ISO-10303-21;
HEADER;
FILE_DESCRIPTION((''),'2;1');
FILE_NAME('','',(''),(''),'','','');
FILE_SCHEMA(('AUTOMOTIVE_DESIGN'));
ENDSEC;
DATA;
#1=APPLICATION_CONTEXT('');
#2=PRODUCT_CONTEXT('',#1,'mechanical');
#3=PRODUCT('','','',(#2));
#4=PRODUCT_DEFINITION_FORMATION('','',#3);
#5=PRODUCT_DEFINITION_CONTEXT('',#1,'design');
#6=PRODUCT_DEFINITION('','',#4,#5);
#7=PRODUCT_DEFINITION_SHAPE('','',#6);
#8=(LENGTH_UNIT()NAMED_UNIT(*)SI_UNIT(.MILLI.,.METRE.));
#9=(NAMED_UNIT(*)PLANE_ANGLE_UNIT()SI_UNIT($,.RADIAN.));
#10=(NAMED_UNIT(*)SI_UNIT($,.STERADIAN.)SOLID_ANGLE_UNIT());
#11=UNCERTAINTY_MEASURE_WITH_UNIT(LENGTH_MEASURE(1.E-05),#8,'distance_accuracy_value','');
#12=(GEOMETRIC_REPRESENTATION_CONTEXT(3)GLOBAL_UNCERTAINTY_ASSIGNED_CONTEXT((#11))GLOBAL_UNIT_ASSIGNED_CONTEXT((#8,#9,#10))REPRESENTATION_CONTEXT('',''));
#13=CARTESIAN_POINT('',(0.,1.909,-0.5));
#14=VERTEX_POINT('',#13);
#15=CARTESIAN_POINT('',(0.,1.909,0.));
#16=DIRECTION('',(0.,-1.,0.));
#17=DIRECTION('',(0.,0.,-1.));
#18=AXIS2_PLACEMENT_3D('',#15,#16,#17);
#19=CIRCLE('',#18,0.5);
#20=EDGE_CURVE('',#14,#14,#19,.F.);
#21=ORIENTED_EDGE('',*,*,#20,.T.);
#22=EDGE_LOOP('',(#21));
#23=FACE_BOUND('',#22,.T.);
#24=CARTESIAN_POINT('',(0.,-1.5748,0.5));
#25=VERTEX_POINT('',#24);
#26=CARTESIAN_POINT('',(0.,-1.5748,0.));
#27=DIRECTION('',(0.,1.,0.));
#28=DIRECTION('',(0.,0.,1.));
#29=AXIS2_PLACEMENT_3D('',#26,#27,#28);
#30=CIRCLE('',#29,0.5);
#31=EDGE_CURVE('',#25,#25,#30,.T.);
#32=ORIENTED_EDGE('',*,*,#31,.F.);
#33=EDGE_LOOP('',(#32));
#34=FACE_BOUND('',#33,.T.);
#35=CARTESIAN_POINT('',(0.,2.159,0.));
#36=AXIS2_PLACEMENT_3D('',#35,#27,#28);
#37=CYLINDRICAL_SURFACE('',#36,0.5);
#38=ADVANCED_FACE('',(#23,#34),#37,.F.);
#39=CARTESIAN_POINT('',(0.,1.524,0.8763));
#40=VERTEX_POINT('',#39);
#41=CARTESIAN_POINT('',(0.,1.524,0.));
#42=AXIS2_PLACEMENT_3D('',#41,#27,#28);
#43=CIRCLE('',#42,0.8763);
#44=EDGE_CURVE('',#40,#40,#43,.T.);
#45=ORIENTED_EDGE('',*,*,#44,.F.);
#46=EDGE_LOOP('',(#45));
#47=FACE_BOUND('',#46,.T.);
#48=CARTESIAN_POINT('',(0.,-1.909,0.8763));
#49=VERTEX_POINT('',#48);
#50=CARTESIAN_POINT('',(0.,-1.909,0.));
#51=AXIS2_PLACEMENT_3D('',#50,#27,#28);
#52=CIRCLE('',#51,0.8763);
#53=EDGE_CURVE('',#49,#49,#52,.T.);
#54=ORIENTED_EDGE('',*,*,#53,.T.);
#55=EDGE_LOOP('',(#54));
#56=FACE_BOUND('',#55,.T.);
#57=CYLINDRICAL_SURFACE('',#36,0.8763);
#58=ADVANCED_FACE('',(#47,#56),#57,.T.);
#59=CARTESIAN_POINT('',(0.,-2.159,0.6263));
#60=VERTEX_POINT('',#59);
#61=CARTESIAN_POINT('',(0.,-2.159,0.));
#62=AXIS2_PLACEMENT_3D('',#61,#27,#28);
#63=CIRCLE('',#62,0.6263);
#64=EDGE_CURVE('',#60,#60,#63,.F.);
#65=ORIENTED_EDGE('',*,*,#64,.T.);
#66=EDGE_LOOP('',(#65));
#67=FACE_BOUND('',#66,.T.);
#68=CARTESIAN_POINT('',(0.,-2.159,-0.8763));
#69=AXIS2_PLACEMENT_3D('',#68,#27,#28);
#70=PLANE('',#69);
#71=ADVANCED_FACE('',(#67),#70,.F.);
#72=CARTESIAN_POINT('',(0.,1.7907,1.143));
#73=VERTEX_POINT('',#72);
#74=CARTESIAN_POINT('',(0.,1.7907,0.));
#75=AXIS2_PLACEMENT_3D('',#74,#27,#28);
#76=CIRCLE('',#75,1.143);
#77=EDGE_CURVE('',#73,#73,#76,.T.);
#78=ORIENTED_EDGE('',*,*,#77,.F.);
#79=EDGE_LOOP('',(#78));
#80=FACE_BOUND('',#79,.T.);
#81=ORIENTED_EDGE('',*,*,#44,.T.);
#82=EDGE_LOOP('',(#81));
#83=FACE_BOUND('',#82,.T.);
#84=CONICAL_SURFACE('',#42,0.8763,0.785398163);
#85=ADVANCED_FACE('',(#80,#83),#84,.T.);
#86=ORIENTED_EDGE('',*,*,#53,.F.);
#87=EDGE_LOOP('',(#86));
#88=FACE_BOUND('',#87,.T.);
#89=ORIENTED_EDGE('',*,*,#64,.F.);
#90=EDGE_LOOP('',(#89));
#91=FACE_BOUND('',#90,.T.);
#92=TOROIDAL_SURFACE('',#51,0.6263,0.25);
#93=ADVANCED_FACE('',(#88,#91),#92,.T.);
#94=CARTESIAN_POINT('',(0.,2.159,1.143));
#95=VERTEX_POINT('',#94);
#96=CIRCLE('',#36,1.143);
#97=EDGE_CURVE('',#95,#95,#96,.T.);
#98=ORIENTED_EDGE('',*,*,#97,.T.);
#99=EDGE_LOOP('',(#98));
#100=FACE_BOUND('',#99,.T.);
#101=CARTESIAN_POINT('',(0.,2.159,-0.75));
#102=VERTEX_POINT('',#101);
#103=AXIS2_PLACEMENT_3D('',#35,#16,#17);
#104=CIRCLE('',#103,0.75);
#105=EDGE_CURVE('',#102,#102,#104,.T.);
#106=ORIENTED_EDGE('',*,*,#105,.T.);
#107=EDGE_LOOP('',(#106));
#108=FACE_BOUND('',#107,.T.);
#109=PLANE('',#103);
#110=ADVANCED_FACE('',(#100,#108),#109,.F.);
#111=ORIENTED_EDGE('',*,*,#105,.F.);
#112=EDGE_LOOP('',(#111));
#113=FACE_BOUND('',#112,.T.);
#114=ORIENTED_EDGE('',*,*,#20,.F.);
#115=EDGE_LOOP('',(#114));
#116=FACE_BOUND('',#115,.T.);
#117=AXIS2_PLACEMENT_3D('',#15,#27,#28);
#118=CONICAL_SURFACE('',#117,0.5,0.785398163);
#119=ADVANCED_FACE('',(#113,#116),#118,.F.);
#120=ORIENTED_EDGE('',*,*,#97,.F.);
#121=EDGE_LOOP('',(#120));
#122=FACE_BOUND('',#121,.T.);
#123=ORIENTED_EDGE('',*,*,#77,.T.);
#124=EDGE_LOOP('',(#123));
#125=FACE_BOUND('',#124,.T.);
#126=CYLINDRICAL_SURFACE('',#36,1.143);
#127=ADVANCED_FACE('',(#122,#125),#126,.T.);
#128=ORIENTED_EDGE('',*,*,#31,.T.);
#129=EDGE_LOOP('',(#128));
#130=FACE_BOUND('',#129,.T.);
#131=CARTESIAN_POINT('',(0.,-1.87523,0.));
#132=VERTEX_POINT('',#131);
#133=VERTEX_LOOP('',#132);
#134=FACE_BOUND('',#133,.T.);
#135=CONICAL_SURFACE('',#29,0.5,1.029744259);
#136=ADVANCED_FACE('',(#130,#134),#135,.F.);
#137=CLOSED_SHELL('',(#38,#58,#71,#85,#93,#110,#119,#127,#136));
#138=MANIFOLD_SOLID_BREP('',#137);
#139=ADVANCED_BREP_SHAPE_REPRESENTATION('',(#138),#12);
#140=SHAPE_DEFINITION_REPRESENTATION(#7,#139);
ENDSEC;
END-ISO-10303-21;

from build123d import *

# Parameters (mm, degrees)
F_1_0_1_DIAMETER_HOLE1_D     = 1
F_1_0_1_DIAMETER_HOLE1_DEPTH = 3.7338
F_1_0_1_DIAMETER_HOLE1_TIP   = 0.30043031
FILLET1_R                    = 0.25
CHAMFER1_SIZE                = 0.25


with BuildPart() as part:
    # Sketch1 → Revolve1 (revolve)
    with BuildSketch(Plane(origin=(0, 0, 0), x_dir=(0, 0, -1), z_dir=(1, 0, 0))):
        Polygon((0, 2.159), (1.143, 2.159), (1.143, 1.7907), (0.8763, 1.524), (0.8763, -2.159), (0, -2.159), align=None)
    revolve(axis=Axis((0, 2.159, 0), (0, -1, 0)))

    # Ø1.0 (1) Diameter Hole1
    with Locations(Plane.ZX.offset(2.159)):
        with Locations((0, 0)):
            Hole(F_1_0_1_DIAMETER_HOLE1_D / 2, depth=F_1_0_1_DIAMETER_HOLE1_DEPTH)
            with Locations((0, 0, -(F_1_0_1_DIAMETER_HOLE1_DEPTH + F_1_0_1_DIAMETER_HOLE1_TIP / 2))):  # 118° drill point
                Cone(0, F_1_0_1_DIAMETER_HOLE1_D / 2, F_1_0_1_DIAMETER_HOLE1_TIP, mode=Mode.SUBTRACT)

    # Fillet1
    fillet1_edges = [part.edges().sort_by_distance(p)[0] for p in [
        (0, -2.159, 0.8763),
    ]]
    fillet(fillet1_edges, radius=FILLET1_R)

    # Chamfer1
    chamfer1_edges = [part.edges().sort_by_distance(p)[0] for p in [
        (0, 2.159, 0.5),
    ]]
    chamfer(chamfer1_edges, length=CHAMFER1_SIZE)


solid = part.part
